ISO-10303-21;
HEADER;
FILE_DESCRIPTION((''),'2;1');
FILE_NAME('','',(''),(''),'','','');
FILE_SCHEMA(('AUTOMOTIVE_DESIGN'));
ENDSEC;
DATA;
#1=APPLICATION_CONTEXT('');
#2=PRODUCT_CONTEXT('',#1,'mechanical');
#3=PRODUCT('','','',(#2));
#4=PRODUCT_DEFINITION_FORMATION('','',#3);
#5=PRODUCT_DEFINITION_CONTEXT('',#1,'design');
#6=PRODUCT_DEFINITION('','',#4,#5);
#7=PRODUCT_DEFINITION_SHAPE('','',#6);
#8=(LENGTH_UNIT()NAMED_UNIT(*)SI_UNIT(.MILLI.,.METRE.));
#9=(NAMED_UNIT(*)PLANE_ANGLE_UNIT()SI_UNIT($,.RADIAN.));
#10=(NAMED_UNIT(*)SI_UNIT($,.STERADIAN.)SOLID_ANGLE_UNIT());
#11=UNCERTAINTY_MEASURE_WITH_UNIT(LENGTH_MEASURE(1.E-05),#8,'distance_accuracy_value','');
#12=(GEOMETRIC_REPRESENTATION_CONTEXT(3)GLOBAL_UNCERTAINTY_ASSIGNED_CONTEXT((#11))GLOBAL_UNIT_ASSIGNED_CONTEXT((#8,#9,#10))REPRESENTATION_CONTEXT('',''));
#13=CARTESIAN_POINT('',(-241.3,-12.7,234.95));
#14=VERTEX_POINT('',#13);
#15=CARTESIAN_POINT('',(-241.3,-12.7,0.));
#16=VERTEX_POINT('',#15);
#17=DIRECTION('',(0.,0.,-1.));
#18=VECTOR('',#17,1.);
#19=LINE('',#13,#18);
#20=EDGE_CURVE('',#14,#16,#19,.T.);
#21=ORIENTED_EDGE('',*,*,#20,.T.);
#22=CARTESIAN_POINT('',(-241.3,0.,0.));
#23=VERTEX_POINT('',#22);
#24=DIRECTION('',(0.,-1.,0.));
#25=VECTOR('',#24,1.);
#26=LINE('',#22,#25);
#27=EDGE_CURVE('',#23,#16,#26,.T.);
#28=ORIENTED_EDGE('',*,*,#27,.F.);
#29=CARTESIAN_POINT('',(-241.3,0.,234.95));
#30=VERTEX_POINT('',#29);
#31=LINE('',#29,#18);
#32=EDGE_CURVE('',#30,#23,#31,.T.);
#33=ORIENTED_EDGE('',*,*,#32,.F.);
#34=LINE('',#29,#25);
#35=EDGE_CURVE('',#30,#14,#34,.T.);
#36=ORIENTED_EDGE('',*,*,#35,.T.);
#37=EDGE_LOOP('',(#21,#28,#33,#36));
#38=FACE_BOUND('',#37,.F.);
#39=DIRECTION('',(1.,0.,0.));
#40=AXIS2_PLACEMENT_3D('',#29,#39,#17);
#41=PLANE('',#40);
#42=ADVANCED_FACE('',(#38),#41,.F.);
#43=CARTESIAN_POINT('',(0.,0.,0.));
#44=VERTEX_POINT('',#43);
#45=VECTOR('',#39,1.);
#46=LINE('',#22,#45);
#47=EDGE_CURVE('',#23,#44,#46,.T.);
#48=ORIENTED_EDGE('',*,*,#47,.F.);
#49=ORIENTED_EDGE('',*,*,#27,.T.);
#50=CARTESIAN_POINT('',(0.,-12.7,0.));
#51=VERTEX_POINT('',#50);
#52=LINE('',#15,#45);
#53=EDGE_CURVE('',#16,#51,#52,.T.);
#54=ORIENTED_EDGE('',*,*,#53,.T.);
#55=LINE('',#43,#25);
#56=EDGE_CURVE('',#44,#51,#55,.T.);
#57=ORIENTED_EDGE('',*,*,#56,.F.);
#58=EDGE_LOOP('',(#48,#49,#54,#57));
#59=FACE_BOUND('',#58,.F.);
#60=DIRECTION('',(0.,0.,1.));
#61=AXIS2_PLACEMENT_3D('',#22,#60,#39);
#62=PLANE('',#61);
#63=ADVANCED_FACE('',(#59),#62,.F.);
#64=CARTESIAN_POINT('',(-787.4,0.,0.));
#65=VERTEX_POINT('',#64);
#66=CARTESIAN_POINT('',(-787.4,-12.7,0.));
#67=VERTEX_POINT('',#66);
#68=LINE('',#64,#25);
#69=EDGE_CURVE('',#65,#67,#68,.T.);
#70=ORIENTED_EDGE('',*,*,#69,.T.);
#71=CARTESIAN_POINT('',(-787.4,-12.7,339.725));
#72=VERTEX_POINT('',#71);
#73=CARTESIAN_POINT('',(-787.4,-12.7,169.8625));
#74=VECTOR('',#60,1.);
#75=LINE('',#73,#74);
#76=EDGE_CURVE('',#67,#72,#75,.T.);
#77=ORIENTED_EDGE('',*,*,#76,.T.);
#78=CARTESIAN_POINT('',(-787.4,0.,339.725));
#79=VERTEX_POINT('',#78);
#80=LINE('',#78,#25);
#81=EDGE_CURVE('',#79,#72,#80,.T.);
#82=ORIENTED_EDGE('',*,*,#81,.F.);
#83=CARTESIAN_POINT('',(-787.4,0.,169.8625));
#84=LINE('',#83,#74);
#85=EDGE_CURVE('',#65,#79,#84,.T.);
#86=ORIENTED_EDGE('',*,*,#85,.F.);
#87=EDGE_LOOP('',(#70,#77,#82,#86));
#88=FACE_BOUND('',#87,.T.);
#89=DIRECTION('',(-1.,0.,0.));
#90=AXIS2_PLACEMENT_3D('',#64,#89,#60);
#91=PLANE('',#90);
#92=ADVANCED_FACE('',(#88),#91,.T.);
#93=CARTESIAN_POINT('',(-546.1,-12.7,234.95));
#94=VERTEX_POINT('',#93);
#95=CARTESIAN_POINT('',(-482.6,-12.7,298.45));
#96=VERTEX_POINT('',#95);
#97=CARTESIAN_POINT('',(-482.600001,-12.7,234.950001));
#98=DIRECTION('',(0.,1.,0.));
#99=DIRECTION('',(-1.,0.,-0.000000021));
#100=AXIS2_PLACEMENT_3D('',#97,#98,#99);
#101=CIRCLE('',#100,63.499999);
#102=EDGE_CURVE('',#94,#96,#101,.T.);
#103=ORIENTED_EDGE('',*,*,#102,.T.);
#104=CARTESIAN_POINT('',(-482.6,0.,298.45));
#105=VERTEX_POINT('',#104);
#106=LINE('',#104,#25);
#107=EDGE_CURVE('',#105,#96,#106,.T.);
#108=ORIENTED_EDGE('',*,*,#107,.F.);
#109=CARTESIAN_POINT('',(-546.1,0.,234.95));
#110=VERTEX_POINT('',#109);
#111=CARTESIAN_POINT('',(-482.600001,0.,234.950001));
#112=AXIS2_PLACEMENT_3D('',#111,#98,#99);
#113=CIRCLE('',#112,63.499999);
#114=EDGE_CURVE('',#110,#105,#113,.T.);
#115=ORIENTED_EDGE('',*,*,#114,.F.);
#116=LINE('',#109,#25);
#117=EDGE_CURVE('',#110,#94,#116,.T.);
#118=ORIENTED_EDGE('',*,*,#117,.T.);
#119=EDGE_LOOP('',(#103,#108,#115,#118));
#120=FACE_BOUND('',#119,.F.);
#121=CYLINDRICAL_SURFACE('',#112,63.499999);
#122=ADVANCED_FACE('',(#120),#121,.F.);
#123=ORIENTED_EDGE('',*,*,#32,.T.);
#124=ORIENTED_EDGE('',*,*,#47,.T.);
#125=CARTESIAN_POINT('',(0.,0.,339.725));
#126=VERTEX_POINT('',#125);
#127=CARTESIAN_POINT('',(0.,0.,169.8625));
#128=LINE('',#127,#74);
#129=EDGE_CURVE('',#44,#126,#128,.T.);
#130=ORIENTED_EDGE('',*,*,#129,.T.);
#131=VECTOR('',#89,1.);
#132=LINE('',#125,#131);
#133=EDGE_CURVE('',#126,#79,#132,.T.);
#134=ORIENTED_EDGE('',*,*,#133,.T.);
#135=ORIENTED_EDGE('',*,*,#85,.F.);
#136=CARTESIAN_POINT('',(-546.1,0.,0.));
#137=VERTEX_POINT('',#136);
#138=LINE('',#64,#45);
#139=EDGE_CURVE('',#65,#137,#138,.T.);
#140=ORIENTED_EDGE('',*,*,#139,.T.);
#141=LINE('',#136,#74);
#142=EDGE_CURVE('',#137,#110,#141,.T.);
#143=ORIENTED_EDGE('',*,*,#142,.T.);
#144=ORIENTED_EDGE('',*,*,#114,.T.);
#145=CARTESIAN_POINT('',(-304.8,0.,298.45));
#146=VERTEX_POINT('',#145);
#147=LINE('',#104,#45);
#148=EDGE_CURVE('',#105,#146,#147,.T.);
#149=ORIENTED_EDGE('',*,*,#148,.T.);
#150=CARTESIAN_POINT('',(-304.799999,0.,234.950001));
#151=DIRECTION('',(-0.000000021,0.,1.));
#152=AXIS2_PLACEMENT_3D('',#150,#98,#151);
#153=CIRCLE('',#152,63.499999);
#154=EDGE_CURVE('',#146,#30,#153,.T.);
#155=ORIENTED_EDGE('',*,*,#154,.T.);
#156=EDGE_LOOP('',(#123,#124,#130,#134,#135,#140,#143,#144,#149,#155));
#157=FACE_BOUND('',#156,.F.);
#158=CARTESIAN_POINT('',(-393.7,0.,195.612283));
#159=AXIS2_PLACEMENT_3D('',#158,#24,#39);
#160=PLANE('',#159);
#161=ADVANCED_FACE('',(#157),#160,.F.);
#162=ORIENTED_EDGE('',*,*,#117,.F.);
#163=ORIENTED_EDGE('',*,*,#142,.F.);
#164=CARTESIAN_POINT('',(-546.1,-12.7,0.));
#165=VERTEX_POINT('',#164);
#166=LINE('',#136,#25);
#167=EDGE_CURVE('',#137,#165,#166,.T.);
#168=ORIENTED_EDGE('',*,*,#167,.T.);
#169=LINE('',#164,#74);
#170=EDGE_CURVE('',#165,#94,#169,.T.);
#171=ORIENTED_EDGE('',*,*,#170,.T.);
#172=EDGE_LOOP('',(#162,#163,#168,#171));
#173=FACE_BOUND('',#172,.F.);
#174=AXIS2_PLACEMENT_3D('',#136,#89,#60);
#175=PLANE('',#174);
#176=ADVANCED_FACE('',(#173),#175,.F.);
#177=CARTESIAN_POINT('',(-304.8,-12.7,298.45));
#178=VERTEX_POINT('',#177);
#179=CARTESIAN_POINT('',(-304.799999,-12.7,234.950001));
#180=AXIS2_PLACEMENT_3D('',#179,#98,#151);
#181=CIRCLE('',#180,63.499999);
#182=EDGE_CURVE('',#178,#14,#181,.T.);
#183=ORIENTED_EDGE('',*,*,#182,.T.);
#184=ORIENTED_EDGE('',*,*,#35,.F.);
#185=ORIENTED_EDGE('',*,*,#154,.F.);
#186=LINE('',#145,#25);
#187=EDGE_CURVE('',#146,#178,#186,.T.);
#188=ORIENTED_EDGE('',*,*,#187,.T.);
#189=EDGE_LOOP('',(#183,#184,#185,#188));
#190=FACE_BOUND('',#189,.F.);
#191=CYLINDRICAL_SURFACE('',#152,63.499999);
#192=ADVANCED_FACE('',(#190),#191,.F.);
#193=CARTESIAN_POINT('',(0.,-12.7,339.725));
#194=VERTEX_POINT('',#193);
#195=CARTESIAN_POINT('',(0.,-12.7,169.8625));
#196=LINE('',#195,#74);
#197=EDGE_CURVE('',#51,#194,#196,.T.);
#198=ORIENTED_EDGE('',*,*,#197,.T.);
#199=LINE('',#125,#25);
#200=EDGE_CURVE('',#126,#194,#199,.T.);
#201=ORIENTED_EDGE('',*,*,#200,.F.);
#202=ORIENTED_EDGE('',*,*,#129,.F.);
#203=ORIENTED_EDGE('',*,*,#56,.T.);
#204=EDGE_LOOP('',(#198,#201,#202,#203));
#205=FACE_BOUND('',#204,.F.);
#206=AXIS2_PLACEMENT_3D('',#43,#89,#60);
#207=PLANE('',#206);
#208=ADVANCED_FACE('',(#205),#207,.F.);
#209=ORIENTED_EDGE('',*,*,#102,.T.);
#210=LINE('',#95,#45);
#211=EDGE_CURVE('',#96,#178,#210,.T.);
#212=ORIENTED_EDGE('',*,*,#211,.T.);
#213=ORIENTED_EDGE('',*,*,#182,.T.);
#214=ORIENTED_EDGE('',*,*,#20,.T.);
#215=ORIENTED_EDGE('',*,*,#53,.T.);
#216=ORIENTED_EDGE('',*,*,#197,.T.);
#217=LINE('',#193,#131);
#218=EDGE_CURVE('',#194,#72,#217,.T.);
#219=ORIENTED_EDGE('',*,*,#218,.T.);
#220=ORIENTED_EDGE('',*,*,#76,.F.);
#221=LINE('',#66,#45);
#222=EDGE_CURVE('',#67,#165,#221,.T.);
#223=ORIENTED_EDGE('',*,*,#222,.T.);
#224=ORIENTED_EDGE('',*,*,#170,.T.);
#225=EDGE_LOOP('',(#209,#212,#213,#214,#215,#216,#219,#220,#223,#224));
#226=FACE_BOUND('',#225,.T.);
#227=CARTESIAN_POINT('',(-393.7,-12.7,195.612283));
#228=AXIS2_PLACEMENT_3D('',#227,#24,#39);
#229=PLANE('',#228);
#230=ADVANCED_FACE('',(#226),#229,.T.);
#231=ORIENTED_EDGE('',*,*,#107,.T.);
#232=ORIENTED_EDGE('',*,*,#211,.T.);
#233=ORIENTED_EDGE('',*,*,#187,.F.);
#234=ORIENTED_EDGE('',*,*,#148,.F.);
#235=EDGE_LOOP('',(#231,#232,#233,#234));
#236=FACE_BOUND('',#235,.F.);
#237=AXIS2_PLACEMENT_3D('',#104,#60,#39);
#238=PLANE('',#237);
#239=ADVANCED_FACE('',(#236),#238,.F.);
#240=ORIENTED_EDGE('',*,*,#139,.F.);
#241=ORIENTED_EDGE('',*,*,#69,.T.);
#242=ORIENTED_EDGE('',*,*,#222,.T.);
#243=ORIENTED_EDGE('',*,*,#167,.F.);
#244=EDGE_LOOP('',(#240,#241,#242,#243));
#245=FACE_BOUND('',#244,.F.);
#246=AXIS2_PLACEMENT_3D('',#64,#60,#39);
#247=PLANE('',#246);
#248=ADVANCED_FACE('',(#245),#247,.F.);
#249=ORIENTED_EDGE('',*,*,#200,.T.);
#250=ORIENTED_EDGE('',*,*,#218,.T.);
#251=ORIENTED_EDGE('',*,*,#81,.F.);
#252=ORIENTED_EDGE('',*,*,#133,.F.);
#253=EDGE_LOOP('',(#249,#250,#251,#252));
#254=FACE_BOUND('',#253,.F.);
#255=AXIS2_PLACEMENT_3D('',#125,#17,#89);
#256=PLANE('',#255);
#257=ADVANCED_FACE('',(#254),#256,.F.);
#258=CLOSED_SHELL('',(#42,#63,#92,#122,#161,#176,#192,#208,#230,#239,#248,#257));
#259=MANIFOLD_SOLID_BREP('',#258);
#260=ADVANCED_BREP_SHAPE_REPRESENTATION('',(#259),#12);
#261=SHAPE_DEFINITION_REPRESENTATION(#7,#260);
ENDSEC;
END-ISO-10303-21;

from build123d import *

# Parameters (mm, degrees)
F0_W     = 12.7
F0_H     = 339.725
F1_DEPTH = 12.7


with BuildPart() as f1:
    # F0 (on Front) → F1 (new body)
    with BuildSketch(Plane.XZ):
        with BuildLine():
            Line((-241.3, 0), (-12.7, 0))
            Line((-12.7, 0), (-12.7, 339.725))
            Line((-12.7, 339.725), (-774.7, 339.725))
            Line((-774.7, 339.725), (-774.7, 0))
            Line((-774.7, 0), (-546.1, 0))
            Line((-546.1, 0), (-546.1, 234.95))
            ThreePointArc((-546.1, 234.95), (-527.501281, 279.851281), (-482.6, 298.45))
            Line((-482.6, 298.45), (-393.7, 298.45))
            Line((-393.7, 298.45), (-304.8, 298.45))
            ThreePointArc((-304.8, 298.45), (-259.898719, 279.851281), (-241.3, 234.95))
            Line((-241.3, 234.95), (-241.3, 0))
        make_face()
        with Locations((-6.35, 169.8625)):
            Rectangle(F0_W, F0_H)
        with Locations((-781.05, 169.8625)):
            Rectangle(F0_W, F0_H)
    extrude(amount=F1_DEPTH)


solid = f1.part
